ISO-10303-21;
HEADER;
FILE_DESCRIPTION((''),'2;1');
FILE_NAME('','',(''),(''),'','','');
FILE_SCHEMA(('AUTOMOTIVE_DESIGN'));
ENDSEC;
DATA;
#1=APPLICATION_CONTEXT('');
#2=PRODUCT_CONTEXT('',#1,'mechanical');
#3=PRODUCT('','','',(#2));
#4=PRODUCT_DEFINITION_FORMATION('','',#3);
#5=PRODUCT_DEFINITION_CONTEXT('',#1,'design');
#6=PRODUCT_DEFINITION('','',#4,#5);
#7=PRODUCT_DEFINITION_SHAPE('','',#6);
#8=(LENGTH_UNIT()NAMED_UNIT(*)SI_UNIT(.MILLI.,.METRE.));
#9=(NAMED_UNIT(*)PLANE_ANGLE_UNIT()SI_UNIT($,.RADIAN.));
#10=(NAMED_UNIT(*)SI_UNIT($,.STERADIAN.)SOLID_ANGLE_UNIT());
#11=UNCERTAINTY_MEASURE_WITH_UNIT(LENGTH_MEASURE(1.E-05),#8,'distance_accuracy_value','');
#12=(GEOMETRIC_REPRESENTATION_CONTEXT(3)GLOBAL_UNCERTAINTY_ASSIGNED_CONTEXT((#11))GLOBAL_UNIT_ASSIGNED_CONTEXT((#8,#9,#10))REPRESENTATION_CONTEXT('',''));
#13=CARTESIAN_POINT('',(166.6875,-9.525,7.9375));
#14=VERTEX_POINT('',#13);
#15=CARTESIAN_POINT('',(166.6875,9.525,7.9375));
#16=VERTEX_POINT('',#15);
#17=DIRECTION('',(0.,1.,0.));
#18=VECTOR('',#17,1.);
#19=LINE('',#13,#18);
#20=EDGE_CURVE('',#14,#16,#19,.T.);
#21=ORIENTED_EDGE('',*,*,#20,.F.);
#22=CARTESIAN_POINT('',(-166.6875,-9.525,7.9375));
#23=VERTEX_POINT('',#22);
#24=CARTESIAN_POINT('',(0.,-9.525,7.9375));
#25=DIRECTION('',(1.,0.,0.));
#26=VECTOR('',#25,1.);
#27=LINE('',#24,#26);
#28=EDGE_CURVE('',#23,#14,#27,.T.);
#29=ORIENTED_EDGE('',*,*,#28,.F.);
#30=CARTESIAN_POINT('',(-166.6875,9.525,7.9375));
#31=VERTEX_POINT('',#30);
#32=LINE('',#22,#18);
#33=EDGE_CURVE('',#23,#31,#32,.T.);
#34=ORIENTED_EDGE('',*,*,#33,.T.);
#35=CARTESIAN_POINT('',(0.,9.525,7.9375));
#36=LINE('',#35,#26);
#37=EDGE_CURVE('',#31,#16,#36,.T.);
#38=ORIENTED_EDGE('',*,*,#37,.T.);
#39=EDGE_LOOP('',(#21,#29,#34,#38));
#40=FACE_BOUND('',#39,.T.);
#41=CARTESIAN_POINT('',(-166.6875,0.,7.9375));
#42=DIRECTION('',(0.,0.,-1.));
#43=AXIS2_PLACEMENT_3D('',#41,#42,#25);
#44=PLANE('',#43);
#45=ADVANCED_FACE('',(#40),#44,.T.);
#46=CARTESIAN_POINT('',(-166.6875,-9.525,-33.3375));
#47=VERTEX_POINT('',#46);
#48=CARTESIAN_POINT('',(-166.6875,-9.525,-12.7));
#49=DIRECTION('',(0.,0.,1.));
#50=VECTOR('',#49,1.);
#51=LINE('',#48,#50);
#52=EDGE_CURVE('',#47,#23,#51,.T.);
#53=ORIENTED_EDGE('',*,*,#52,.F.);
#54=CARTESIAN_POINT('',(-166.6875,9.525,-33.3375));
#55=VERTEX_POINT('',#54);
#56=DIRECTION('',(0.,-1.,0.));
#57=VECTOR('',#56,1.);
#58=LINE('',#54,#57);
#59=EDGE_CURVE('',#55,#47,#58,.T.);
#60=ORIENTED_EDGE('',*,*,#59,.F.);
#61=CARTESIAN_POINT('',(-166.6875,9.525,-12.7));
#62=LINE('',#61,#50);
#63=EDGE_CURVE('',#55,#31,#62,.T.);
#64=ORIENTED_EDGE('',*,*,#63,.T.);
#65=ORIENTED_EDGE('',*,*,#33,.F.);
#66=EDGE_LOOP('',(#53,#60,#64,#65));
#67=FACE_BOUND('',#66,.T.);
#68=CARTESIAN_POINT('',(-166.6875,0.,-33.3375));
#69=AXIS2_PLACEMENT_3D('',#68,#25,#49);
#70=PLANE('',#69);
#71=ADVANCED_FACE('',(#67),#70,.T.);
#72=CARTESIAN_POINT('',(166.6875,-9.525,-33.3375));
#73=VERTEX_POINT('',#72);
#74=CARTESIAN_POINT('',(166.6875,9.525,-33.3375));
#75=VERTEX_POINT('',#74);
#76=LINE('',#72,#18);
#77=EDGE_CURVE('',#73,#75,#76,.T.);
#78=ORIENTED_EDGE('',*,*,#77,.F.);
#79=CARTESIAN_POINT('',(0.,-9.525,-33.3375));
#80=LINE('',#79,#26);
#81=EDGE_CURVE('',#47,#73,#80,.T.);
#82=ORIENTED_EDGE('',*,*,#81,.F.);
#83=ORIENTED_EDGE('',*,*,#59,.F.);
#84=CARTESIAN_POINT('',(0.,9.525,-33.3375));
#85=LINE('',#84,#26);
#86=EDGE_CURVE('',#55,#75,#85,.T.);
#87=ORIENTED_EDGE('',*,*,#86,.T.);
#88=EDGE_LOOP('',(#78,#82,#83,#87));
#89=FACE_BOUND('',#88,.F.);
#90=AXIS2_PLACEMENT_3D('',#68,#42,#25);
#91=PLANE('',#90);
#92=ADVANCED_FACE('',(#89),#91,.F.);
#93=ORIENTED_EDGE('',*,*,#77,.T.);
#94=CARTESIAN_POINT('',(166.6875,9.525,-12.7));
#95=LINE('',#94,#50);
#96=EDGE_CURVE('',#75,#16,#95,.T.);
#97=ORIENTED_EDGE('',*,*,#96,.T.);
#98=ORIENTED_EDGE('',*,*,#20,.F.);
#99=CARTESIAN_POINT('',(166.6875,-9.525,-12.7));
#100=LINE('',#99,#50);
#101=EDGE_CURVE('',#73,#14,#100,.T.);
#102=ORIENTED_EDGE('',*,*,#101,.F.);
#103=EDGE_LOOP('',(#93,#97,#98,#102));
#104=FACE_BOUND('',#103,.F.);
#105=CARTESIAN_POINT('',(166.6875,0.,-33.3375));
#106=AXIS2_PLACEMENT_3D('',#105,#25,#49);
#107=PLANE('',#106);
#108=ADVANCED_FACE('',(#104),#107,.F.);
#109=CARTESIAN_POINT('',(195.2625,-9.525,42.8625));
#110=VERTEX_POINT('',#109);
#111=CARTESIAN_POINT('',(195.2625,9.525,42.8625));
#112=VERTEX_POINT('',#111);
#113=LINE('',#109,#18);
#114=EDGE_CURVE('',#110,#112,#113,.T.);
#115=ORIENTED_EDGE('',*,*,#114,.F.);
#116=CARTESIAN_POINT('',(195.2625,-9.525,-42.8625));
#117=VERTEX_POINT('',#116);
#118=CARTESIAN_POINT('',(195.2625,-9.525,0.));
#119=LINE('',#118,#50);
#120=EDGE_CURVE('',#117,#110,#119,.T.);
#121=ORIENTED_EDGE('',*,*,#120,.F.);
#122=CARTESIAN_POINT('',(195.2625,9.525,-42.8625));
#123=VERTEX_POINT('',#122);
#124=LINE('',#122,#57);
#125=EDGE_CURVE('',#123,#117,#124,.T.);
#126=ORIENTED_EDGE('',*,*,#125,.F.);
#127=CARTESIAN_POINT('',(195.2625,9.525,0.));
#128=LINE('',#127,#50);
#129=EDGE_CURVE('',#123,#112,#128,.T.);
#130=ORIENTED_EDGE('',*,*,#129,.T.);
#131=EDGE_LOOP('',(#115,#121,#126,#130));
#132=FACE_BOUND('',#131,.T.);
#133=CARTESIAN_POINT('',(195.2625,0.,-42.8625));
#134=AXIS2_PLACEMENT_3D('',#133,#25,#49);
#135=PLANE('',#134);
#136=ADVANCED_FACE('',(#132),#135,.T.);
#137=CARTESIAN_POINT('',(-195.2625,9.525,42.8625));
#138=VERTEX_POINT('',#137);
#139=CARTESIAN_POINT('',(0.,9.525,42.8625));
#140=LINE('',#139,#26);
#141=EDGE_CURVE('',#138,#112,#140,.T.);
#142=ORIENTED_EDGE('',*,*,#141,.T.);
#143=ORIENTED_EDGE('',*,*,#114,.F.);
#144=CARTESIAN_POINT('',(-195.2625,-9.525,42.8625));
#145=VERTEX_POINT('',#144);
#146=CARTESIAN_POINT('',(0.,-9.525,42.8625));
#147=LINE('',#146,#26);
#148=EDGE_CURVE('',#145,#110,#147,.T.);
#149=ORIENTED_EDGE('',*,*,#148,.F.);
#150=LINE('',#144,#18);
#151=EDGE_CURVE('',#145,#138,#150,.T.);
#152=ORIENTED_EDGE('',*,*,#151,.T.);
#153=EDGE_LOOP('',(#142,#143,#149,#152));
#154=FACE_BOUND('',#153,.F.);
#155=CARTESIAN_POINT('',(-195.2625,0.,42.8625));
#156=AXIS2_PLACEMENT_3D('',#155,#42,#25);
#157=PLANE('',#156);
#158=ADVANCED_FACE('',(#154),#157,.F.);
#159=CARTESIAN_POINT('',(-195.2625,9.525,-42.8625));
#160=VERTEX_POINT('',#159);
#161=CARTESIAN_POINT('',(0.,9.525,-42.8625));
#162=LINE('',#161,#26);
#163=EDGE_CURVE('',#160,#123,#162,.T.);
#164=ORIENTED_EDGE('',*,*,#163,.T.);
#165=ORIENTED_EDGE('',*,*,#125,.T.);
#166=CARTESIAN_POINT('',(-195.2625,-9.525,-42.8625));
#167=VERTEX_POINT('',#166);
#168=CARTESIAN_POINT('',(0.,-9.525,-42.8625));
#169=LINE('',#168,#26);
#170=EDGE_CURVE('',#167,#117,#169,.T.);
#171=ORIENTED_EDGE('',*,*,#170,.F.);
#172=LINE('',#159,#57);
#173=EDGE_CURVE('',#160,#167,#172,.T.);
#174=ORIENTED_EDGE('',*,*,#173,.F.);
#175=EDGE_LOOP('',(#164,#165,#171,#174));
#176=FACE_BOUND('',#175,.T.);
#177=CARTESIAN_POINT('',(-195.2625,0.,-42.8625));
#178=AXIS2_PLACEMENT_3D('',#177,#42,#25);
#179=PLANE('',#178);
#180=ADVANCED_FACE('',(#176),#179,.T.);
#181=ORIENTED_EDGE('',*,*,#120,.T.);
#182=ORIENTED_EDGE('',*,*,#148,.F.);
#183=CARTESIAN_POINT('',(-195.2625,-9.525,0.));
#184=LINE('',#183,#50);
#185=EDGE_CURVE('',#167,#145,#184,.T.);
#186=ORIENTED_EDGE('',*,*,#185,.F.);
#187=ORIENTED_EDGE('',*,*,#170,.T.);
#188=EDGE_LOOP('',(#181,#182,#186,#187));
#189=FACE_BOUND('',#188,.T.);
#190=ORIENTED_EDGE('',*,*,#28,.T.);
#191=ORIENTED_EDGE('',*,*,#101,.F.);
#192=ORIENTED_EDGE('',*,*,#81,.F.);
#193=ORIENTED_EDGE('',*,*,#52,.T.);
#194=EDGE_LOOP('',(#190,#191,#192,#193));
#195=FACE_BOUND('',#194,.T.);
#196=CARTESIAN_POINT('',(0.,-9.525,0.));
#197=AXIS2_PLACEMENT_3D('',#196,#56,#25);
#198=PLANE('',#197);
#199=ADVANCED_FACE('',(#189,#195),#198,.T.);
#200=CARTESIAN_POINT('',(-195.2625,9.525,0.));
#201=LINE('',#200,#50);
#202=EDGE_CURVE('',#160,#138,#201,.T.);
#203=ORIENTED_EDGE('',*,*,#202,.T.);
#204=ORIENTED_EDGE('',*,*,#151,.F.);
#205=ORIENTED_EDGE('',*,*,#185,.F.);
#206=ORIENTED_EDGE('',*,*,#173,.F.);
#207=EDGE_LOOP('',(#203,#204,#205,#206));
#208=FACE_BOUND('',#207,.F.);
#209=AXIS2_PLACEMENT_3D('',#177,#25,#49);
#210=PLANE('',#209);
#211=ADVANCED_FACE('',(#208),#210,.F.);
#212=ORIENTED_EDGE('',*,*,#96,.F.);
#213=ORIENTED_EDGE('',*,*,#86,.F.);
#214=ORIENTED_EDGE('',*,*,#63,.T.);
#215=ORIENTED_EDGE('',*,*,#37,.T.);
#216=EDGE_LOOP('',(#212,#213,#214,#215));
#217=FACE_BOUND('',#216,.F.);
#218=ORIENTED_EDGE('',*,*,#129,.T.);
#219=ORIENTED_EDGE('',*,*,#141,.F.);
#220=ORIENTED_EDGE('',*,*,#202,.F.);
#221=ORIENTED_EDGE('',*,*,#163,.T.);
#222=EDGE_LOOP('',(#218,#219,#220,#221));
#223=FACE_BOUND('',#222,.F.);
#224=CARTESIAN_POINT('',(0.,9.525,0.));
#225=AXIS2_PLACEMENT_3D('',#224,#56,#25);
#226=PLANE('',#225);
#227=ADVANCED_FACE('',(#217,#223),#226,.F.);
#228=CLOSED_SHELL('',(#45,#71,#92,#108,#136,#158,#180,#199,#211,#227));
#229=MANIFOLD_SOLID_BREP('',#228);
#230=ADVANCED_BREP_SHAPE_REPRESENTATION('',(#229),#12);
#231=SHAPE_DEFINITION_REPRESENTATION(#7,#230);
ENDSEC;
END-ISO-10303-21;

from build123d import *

# Parameters (mm, degrees)
F0_W     = 390.525
F0_H     = 85.725
F0_W_2   = 333.375
F0_H_2   = 41.275
F1_DEPTH = 9.525


with BuildPart() as f1:
    # F0 (on Front) → F1 (new body, symmetric)
    with BuildSketch(Plane.XZ):
        Rectangle(F0_W, F0_H)
        with Locations((0, -12.7)):
            Rectangle(F0_W_2, F0_H_2, mode=Mode.SUBTRACT)
    extrude(amount=F1_DEPTH, both=True)


solid = f1.part
